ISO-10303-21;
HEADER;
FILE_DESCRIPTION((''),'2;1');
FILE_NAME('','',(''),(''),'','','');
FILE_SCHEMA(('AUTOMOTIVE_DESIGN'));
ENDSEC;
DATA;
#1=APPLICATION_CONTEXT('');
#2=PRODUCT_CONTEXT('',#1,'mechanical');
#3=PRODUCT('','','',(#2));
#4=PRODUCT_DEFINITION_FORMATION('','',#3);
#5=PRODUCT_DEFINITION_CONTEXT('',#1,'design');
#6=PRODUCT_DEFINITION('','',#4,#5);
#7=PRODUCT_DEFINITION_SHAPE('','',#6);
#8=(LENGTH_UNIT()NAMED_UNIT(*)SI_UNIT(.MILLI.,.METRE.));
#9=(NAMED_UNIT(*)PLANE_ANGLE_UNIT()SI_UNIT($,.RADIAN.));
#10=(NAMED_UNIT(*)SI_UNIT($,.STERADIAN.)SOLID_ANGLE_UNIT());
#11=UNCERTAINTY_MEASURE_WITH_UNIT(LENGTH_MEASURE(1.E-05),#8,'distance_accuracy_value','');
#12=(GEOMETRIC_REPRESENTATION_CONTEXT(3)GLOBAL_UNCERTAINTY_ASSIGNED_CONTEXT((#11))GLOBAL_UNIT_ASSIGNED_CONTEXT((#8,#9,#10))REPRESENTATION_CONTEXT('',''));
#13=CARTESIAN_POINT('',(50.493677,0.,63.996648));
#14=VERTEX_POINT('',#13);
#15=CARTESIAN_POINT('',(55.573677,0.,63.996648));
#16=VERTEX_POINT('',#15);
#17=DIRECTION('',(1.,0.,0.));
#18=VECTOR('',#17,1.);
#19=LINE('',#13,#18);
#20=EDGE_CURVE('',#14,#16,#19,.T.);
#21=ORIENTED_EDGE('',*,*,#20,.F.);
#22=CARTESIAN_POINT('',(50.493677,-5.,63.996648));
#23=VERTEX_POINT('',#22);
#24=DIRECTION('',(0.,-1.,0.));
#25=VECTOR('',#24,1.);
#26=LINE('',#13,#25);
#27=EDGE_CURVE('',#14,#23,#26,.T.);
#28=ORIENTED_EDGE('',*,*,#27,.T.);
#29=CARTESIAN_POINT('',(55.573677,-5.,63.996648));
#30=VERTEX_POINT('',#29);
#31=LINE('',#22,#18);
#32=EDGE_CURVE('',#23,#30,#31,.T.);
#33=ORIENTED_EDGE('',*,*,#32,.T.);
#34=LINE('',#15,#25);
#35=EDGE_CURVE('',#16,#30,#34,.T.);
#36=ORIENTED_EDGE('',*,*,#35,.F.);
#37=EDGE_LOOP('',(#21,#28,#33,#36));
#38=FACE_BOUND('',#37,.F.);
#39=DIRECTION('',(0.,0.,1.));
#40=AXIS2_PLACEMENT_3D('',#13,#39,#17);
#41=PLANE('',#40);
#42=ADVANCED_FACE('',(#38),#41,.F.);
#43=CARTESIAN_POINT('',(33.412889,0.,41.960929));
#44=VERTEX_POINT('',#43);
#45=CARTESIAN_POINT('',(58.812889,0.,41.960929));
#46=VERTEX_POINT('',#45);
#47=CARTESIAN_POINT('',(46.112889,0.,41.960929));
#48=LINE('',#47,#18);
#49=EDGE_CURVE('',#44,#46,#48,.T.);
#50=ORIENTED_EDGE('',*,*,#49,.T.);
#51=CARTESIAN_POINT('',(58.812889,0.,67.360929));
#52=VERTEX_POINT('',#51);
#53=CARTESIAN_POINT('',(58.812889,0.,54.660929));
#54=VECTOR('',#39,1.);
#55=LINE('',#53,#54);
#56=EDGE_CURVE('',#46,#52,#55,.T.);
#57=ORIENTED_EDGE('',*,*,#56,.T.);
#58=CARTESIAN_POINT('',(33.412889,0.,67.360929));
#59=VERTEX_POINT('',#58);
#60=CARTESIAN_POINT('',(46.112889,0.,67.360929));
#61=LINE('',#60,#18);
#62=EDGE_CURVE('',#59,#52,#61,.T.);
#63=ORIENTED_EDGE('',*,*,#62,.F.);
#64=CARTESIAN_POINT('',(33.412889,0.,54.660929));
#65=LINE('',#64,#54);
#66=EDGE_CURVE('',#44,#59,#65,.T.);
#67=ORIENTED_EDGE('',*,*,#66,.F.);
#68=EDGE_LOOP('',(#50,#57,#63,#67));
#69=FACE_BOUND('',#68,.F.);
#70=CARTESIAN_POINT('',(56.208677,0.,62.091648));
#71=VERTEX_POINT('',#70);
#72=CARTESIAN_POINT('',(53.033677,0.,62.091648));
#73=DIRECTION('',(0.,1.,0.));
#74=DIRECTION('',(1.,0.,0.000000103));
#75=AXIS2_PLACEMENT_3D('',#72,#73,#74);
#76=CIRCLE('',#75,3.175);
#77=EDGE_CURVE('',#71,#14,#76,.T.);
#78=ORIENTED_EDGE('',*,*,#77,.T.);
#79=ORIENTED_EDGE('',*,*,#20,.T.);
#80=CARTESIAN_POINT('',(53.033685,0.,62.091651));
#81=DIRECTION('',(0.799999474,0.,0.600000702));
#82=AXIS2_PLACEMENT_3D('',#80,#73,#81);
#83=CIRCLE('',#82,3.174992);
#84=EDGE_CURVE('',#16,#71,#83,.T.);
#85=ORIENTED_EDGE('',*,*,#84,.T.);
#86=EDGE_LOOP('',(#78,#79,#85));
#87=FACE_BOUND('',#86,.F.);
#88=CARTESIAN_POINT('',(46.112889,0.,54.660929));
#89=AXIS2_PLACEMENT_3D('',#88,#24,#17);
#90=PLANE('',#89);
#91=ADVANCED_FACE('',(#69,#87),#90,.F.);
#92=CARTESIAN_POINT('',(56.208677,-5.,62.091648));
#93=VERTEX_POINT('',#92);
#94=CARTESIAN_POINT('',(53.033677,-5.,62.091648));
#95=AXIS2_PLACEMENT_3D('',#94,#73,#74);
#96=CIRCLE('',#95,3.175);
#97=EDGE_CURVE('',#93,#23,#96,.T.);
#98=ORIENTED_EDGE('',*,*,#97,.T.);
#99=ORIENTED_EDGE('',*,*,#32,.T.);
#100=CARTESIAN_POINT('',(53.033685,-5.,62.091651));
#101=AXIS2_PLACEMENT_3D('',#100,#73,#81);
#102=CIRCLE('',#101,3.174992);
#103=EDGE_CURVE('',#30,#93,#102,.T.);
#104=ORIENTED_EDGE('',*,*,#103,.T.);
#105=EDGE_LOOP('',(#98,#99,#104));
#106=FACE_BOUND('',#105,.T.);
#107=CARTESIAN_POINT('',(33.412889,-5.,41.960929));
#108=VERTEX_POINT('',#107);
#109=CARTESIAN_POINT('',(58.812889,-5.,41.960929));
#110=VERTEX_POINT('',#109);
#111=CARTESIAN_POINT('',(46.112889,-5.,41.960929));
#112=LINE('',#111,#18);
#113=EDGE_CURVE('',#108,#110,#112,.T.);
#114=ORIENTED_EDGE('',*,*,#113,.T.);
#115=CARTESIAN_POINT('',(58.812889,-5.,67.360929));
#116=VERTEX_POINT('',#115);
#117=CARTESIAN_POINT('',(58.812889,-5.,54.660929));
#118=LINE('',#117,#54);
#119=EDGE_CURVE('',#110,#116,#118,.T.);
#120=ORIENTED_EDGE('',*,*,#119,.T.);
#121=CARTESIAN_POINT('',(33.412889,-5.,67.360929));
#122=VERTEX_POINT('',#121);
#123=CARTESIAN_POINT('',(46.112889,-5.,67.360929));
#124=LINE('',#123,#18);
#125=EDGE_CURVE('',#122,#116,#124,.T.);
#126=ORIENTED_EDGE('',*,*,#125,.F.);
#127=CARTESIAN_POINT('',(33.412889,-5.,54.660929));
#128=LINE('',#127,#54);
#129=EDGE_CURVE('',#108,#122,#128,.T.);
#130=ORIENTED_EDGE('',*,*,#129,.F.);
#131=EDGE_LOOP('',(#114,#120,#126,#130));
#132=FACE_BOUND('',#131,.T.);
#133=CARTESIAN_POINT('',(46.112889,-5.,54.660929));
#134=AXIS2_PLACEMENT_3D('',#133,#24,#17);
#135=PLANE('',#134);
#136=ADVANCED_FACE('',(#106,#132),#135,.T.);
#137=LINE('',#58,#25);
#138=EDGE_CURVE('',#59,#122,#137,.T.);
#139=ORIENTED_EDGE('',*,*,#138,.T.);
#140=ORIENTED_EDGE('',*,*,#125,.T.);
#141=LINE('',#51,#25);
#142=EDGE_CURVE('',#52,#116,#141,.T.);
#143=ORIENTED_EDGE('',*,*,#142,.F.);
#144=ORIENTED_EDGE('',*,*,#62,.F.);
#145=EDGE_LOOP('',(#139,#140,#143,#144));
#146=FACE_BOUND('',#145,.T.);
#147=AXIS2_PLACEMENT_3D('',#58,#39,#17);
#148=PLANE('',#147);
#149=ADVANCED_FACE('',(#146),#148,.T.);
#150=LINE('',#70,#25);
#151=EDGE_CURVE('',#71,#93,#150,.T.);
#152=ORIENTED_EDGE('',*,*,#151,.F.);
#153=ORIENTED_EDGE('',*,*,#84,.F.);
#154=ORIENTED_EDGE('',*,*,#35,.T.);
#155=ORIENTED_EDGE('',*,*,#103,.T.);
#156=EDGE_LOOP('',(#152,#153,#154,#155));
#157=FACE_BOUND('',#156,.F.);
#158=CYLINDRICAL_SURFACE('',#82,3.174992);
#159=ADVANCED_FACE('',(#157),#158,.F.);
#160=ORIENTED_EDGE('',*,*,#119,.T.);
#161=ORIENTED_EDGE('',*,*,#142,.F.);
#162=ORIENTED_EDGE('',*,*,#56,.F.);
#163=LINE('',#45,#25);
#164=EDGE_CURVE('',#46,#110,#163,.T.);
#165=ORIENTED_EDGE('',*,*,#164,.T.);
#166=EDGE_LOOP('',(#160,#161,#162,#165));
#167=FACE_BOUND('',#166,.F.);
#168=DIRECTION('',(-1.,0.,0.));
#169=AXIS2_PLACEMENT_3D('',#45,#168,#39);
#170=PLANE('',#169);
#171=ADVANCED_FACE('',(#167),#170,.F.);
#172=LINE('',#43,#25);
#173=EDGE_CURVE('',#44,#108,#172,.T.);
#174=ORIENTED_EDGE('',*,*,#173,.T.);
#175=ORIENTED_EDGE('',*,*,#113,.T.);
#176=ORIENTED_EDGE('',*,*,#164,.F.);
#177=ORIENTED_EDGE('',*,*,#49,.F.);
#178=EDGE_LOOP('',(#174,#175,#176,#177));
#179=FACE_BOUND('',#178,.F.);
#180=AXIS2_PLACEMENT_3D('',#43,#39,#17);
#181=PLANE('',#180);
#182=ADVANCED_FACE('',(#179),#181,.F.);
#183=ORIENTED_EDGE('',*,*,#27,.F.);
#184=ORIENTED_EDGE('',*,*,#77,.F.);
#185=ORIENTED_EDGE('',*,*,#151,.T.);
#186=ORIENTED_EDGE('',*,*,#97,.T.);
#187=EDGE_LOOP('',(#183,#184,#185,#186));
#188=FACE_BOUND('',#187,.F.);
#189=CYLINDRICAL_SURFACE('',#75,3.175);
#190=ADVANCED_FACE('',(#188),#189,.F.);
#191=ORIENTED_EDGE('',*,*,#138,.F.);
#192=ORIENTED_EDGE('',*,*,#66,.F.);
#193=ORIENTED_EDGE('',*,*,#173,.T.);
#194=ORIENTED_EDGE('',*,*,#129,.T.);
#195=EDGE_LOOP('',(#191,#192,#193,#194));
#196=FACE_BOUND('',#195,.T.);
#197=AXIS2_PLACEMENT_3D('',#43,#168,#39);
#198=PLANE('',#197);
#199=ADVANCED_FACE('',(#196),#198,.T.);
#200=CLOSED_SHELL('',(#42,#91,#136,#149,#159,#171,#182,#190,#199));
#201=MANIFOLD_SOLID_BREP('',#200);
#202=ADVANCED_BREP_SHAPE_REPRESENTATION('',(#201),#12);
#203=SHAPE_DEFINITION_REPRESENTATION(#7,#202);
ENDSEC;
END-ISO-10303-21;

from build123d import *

# Parameters (mm, degrees)
F0_W     = 25.4
F0_H     = 25.4
F1_DEPTH = 5


with BuildPart() as f1:
    # F0 (on Front) → F1 (new body)
    with BuildSketch(Plane.XZ):
        with Locations((46.112889, 54.660929)):
            Rectangle(F0_W, F0_H)
        with BuildLine():
            ThreePointArc((55.573677, 63.996648), (56.045747, 63.095671), (56.208677, 62.091648))
            ThreePointArc((56.208677, 62.091648), (52.029654, 59.079578), (50.493677, 63.996648))
            ThreePointArc((50.493677, 63.996648), (53.033677, 65.266648), (55.573677, 63.996648))
        make_face(mode=Mode.SUBTRACT)
        with BuildLine():
            Line((50.493677, 63.996648), (55.573677, 63.996648))
            ThreePointArc((55.573677, 63.996648), (53.033677, 65.266648), (50.493677, 63.996648))
        make_face()
    extrude(amount=F1_DEPTH)


solid = f1.part
